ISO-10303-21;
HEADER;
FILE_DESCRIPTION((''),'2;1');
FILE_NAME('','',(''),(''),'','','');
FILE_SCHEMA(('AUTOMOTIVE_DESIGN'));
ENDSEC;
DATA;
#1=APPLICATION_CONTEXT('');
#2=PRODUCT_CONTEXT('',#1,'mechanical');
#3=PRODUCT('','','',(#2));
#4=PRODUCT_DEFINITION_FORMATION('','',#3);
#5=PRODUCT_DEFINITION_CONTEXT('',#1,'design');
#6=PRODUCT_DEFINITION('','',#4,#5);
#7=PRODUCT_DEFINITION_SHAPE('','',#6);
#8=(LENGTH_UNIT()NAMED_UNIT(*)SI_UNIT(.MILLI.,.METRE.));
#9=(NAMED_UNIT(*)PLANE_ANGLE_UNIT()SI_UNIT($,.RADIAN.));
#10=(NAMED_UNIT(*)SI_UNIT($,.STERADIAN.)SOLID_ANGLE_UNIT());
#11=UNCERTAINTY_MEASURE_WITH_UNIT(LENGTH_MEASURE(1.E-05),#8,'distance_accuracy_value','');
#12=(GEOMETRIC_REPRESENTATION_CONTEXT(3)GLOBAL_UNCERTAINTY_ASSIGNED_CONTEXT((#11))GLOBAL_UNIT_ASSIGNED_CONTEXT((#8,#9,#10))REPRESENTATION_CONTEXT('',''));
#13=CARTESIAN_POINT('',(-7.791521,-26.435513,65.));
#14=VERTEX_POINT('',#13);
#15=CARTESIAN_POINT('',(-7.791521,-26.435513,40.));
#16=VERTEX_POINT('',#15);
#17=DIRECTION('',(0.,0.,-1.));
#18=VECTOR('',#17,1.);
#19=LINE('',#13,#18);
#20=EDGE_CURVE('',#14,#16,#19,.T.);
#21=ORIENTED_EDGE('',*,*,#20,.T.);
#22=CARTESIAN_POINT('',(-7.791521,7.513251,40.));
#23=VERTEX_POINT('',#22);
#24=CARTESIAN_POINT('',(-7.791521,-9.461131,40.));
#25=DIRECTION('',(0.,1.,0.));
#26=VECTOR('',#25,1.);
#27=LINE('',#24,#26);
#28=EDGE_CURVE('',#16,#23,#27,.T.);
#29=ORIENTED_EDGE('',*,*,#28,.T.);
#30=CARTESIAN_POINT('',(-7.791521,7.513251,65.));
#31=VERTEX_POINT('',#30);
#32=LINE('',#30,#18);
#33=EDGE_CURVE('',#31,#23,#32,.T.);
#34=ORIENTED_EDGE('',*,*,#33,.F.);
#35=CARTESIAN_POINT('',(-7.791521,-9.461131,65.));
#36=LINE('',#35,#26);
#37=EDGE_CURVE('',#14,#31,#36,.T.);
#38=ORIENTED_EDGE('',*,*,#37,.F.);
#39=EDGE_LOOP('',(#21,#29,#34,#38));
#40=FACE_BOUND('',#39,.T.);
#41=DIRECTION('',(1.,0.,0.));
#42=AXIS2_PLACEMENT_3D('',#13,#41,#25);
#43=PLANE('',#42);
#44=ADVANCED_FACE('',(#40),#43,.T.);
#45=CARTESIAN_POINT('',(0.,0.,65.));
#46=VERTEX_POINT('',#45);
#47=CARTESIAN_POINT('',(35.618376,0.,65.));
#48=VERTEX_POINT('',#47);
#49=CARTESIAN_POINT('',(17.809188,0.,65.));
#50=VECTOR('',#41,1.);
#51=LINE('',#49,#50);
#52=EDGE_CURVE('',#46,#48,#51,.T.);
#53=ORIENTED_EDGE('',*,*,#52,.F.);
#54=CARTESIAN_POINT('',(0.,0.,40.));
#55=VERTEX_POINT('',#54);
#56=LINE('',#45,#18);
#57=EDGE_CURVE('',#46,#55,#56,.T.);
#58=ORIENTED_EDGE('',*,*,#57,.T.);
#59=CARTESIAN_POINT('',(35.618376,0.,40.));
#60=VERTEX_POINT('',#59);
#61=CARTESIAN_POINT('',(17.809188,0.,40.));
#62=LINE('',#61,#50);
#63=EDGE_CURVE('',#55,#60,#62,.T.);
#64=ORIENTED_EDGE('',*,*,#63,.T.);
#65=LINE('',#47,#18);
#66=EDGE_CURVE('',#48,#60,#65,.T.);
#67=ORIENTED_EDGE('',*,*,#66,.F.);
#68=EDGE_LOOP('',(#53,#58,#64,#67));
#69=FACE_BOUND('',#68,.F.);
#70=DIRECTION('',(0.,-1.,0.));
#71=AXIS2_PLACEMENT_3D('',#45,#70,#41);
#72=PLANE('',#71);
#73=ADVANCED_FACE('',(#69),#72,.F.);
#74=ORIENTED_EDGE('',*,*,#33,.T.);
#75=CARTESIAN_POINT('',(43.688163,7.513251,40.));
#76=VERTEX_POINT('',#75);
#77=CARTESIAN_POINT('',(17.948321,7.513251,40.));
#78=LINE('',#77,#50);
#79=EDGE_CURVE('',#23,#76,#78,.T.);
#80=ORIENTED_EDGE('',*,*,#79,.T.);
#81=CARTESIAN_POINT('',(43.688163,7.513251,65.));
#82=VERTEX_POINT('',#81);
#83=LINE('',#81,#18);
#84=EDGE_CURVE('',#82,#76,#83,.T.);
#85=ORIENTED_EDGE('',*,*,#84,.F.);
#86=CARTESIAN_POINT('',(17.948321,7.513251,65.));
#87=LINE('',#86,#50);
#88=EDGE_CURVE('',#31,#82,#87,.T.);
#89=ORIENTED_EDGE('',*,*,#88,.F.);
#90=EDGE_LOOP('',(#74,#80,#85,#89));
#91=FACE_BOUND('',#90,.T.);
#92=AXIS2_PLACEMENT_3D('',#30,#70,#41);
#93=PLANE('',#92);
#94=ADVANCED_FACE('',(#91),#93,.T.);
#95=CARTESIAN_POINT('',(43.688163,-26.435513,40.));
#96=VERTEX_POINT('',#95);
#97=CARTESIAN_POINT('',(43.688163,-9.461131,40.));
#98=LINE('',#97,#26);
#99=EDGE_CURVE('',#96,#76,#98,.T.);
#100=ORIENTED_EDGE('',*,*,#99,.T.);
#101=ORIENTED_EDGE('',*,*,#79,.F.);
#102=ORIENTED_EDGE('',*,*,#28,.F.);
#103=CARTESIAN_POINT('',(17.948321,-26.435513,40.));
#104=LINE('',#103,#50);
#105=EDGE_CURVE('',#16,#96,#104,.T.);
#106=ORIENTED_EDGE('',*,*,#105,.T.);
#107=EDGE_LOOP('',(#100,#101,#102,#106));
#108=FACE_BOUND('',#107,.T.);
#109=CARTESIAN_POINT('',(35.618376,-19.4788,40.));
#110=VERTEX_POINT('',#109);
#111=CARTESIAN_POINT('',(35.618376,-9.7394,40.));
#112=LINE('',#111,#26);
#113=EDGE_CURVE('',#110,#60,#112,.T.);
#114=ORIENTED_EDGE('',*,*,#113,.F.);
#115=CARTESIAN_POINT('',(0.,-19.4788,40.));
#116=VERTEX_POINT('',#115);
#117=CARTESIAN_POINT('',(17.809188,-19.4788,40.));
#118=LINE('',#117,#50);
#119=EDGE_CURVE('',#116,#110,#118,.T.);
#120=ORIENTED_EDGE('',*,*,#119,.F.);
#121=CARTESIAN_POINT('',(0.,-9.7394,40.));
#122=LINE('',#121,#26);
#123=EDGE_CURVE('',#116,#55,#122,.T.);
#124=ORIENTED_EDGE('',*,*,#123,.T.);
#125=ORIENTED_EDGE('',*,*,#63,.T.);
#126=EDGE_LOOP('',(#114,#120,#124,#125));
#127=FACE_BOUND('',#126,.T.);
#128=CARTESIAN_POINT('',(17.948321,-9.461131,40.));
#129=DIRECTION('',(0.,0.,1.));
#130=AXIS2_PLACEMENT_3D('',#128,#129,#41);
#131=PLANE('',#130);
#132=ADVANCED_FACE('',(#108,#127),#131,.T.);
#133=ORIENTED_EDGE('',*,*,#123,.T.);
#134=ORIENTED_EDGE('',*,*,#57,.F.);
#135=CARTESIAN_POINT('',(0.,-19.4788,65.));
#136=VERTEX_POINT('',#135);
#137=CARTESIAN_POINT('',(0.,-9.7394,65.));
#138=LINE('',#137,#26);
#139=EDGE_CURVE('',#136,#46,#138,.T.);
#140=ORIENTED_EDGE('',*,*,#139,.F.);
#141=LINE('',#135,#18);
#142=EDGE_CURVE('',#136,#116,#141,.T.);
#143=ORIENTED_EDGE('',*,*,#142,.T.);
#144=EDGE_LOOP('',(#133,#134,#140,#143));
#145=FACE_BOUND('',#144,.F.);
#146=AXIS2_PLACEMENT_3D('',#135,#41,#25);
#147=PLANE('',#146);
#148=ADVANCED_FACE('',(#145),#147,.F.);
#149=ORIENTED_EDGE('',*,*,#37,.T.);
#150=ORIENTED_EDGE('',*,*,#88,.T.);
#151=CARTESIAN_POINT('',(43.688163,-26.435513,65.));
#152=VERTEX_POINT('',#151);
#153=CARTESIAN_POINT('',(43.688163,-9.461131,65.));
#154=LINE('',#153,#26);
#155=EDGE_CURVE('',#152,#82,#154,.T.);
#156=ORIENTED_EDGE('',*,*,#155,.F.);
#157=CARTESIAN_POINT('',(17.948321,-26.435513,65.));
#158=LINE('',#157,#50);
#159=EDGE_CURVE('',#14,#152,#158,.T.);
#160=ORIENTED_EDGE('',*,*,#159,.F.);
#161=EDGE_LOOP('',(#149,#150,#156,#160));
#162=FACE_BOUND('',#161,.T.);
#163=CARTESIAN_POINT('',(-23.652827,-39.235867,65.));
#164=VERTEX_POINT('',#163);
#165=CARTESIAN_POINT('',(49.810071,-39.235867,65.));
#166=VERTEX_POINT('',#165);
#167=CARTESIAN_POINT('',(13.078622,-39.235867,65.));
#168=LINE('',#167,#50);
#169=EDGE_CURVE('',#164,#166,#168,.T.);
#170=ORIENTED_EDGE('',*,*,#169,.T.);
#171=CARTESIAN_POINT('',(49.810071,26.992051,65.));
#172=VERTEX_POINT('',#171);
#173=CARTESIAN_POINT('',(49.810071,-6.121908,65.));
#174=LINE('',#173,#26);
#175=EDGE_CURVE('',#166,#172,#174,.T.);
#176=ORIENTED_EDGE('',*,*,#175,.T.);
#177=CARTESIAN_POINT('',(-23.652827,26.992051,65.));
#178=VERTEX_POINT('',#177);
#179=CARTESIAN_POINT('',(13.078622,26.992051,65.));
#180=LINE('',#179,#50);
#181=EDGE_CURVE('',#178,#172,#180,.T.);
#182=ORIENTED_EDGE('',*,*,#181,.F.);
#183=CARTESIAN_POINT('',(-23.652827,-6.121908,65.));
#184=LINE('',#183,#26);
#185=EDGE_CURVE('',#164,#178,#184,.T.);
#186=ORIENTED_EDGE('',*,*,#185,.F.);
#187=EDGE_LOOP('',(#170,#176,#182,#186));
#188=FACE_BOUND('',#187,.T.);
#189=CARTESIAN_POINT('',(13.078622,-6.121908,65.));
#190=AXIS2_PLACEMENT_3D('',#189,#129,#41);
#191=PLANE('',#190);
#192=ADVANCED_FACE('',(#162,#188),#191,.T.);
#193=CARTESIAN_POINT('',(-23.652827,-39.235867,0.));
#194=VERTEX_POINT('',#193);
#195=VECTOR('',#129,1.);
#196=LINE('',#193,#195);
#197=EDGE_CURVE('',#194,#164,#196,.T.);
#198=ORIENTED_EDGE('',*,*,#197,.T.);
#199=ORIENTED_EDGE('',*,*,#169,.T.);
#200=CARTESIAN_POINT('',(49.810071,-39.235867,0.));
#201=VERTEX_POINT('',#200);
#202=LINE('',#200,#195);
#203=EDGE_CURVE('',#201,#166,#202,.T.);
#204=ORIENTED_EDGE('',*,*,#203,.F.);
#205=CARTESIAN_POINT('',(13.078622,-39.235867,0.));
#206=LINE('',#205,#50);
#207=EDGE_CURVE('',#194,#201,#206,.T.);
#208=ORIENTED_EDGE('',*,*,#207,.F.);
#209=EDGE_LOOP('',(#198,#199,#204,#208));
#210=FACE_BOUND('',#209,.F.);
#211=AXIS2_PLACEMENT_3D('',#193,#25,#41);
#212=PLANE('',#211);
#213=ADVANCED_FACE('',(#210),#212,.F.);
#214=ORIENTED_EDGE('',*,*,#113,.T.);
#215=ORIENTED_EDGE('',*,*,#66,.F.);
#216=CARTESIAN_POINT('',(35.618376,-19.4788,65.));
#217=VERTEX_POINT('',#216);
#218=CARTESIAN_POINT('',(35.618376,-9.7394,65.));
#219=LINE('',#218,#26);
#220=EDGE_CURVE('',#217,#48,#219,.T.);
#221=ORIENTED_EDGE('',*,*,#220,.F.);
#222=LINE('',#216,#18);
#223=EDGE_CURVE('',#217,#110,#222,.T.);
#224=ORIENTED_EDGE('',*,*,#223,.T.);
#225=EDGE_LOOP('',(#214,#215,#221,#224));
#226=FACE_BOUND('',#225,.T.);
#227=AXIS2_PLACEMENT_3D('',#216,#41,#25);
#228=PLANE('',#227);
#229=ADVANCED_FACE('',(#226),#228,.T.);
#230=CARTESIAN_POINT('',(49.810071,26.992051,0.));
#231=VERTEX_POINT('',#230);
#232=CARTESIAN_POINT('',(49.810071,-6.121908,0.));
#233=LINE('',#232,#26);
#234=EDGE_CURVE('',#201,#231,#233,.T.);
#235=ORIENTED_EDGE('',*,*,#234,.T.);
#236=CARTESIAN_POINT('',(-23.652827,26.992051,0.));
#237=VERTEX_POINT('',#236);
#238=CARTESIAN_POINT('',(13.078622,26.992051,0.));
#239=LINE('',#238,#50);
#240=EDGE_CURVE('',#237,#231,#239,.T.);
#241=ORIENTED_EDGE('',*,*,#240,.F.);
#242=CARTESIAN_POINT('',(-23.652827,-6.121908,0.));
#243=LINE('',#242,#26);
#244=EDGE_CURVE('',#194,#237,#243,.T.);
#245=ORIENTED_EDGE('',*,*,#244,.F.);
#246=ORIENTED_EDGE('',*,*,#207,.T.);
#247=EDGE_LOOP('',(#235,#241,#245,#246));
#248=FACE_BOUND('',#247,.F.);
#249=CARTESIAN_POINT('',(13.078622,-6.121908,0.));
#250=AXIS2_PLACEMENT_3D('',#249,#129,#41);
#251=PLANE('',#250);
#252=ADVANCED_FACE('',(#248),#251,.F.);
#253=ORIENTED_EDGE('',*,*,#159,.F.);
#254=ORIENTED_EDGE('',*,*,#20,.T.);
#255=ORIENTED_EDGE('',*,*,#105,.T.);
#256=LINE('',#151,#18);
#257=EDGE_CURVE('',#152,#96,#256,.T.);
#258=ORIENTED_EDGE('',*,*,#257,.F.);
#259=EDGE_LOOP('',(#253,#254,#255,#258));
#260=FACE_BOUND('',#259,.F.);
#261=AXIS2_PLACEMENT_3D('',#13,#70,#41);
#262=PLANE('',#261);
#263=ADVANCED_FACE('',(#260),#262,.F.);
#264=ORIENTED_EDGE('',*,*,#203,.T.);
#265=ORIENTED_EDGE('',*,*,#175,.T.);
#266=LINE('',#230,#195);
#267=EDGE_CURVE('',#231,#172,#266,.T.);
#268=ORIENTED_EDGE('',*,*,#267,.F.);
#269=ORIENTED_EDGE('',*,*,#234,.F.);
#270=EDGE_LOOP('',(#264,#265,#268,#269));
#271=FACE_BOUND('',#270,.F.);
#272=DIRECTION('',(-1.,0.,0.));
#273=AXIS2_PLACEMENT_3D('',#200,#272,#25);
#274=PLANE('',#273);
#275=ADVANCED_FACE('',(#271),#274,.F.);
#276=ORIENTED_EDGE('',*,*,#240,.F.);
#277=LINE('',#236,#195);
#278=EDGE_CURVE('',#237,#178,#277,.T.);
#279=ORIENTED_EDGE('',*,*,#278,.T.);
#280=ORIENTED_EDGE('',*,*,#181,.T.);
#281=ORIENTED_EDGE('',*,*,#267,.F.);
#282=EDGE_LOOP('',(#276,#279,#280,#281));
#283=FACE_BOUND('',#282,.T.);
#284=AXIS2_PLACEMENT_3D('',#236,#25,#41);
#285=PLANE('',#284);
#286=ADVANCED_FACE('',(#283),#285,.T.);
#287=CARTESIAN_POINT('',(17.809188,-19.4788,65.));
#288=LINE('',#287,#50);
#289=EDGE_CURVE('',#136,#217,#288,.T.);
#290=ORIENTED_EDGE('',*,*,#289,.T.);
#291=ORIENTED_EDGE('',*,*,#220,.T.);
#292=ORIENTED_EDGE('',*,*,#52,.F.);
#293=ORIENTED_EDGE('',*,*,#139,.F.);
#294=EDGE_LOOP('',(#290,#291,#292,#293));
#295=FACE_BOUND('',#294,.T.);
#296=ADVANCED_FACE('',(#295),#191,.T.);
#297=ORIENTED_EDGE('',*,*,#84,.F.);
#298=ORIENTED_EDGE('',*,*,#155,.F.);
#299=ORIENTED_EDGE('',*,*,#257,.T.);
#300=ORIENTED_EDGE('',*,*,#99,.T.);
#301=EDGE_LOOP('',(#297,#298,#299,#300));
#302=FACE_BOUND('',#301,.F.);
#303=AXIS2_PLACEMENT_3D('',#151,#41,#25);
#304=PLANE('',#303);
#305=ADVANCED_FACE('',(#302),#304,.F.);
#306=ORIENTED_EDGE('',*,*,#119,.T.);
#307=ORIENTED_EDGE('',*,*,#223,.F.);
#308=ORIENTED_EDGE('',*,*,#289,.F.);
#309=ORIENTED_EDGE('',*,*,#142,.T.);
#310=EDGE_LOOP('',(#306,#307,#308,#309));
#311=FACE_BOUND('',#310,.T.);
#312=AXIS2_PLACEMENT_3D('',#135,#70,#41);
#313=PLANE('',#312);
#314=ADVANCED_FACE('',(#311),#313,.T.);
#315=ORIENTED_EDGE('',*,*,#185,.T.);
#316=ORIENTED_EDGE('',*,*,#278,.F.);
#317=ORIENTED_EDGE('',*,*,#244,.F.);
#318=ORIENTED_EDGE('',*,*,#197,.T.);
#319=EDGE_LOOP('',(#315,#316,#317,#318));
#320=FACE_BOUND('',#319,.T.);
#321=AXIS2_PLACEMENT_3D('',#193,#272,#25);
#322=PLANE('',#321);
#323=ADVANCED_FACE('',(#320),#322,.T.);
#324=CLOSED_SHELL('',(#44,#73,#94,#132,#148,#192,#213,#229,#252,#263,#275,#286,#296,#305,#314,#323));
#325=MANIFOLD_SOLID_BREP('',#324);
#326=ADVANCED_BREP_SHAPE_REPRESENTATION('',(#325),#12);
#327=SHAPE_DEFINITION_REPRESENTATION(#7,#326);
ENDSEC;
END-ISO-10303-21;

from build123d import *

# Parameters (mm, degrees)
F0_W     = 73.462898
F0_H     = 66.227919
F1_DEPTH = 65
F2_W     = 51.479684
F2_H     = 33.948764
F2_W_2   = 35.618376
F2_H_2   = 19.4788
F3_DEPTH = 25


with BuildPart() as f1:
    # F0 (on Top) → F1 (new body)
    with BuildSketch(Plane.XY):
        with Locations((13.078622, -6.121908)):
            Rectangle(F0_W, F0_H)
    extrude(amount=F1_DEPTH)

    # F2 (on face) → F3 (cut)
    with BuildSketch(Plane.XY.offset(65)):
        with Locations((17.948321, -9.461131)):
            Rectangle(F2_W, F2_H)
        with Locations((17.809188, -9.7394)):
            Rectangle(F2_W_2, F2_H_2, mode=Mode.SUBTRACT)
    extrude(amount=-F3_DEPTH, mode=Mode.SUBTRACT)


solid = f1.part
